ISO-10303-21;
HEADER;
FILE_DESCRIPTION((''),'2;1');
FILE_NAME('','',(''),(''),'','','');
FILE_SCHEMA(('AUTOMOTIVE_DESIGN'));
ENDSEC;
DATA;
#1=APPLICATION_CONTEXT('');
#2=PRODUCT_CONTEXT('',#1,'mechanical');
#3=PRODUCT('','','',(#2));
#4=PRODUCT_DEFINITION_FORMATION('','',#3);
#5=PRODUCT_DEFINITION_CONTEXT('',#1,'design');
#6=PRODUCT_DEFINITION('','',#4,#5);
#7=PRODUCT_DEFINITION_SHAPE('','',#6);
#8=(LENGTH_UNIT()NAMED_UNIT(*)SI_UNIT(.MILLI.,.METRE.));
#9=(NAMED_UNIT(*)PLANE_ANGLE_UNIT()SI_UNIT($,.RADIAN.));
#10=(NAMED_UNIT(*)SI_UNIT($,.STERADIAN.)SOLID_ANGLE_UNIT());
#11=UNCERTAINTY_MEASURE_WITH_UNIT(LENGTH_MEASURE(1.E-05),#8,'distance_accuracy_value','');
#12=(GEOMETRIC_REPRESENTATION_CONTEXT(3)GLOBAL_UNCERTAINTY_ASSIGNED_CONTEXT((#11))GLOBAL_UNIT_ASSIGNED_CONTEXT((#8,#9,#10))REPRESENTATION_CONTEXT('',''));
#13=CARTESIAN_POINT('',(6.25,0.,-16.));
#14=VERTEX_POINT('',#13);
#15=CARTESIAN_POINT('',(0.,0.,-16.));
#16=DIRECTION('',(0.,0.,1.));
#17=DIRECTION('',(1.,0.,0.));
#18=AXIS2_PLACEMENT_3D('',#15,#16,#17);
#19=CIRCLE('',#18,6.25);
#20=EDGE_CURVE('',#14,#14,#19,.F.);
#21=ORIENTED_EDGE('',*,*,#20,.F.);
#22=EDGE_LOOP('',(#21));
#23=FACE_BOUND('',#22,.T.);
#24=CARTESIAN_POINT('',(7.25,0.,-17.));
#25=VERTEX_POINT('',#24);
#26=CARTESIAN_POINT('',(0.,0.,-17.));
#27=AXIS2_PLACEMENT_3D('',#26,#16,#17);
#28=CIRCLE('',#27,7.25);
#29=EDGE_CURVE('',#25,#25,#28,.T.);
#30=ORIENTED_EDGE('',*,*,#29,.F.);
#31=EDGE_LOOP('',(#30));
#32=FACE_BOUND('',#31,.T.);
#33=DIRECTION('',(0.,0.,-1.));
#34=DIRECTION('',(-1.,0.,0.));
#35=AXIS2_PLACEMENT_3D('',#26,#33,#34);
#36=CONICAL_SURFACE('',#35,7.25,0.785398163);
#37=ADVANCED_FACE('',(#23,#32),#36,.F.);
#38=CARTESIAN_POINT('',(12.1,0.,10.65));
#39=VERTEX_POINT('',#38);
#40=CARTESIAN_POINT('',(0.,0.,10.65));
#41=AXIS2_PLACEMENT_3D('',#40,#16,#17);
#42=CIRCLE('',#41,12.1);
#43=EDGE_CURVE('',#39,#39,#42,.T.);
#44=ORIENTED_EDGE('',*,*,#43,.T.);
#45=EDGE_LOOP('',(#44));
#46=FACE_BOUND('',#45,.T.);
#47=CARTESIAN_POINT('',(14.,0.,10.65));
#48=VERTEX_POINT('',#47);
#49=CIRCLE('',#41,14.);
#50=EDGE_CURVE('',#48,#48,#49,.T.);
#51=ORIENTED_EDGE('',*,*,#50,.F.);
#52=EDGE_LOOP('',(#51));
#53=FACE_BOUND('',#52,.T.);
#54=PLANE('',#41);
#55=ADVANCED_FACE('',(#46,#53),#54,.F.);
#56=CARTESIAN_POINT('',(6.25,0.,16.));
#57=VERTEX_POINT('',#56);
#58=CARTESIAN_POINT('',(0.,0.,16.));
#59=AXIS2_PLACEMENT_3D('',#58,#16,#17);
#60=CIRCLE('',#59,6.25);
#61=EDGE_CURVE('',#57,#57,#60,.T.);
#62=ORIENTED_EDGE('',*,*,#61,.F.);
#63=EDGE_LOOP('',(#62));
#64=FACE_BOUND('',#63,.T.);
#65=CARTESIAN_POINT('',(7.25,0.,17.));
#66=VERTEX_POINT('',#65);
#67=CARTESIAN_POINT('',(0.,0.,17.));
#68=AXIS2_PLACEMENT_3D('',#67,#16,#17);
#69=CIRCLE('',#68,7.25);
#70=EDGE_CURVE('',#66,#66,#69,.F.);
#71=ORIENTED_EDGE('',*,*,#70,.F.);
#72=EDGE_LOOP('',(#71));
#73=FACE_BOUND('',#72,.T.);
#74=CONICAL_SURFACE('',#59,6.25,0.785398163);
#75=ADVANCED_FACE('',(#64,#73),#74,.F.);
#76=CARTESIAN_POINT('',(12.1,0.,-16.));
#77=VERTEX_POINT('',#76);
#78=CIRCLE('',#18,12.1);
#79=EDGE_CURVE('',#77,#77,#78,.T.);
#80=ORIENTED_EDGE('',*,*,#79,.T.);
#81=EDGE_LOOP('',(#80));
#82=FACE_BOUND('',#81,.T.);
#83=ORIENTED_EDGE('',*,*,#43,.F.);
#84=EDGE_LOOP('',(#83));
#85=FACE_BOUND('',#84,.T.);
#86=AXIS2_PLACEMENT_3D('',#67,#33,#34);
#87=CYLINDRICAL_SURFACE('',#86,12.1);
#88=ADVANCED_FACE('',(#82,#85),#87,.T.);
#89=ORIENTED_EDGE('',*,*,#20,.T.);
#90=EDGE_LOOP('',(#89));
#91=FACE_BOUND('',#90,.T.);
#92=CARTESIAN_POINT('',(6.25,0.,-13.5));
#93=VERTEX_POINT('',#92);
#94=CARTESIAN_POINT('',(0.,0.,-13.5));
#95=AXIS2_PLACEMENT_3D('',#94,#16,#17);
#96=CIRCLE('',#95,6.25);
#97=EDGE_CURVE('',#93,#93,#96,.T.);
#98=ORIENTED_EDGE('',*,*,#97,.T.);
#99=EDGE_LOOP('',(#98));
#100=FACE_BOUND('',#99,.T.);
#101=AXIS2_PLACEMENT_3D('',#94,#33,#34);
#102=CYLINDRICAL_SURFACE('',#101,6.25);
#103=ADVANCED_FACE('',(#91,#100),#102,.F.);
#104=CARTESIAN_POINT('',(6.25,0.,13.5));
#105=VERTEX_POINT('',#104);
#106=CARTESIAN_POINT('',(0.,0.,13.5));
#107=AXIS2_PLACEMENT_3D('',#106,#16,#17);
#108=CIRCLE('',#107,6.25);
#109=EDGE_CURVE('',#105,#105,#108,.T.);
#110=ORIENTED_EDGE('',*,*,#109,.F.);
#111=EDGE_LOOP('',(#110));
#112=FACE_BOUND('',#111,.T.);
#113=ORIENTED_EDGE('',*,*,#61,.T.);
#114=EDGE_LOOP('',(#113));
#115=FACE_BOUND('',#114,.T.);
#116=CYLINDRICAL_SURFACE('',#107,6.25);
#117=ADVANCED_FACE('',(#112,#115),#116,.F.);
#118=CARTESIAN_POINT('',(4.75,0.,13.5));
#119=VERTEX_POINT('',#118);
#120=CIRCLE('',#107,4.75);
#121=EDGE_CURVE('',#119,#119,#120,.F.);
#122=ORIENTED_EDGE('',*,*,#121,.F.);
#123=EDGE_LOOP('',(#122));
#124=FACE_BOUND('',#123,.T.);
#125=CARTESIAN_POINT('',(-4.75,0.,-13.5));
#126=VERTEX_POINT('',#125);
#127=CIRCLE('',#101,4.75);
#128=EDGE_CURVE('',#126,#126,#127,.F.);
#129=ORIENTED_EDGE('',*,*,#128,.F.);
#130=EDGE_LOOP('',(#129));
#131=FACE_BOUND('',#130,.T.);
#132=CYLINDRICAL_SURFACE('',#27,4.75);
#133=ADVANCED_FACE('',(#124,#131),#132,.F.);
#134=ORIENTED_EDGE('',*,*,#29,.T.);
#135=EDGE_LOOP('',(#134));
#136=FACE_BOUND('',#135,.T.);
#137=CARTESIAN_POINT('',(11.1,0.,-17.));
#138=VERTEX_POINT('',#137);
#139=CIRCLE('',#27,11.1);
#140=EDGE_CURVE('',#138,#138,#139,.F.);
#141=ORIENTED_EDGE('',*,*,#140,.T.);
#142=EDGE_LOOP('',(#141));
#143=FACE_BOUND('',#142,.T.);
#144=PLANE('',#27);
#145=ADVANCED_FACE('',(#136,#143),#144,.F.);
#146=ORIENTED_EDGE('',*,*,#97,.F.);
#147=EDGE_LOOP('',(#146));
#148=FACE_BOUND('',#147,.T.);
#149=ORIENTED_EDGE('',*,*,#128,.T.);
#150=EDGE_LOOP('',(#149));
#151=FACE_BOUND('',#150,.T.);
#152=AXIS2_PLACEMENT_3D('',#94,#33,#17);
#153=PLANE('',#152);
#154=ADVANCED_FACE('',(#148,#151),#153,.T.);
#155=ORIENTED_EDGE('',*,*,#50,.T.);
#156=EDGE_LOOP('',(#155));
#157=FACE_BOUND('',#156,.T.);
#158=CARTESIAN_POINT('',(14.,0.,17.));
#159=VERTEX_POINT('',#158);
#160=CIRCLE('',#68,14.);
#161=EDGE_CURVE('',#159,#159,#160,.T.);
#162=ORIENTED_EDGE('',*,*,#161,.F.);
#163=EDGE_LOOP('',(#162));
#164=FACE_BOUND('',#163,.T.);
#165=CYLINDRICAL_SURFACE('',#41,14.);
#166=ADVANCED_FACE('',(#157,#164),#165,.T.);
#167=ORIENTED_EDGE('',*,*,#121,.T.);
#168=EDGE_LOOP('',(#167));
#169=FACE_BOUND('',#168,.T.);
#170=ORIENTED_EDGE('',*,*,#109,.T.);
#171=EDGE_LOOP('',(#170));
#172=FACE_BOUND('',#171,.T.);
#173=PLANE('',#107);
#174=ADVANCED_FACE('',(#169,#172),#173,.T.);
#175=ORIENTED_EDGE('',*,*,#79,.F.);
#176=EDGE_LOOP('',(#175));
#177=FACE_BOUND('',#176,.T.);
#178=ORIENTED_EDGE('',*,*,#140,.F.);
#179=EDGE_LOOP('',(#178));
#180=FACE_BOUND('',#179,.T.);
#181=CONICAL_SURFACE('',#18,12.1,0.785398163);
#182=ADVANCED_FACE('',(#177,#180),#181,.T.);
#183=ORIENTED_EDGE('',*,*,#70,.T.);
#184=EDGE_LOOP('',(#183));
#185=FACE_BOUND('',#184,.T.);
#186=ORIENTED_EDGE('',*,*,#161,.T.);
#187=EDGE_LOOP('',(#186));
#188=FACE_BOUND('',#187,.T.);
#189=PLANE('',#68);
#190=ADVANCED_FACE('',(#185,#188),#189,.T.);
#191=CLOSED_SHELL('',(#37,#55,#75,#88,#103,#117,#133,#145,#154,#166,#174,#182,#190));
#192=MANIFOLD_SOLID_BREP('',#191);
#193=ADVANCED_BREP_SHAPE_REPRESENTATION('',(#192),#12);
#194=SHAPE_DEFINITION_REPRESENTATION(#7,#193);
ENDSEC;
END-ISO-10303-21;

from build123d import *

# Parameters (mm, degrees)
SKETCH1_R           = 12.1
BOSS_EXTRUDE1_DEPTH = 17
SKETCH2_R           = 4.75
CUT_EXTRUDE1_DEPTH  = 39.063368217
SKETCH3_R           = 6.25
CUT_EXTRUDE2_DEPTH  = 3.5
SKETCH4_R           = 14
SKETCH4_R_2         = 12.1
SKETCH4_R_3         = 6.25
BOSS_EXTRUDE2_DEPTH = 6.35
CHAMFER1_SIZE       = 1


with BuildPart() as part:
    # Sketch1 → Boss-Extrude1 (new, symmetric)
    with BuildSketch(Plane.XY):
        Circle(SKETCH1_R)
    extrude(amount=BOSS_EXTRUDE1_DEPTH, both=True)

    # Sketch2 → Cut-Extrude1 (cut, through all)
    with BuildSketch(Plane.XY.offset(17)):
        Circle(SKETCH2_R)
    extrude(amount=-CUT_EXTRUDE1_DEPTH, mode=Mode.SUBTRACT)

    # Sketch3 → Cut-Extrude2 (cut)
    with BuildSketch(Plane.XY.offset(17)):
        Circle(SKETCH3_R)
    cut_extrude2 = extrude(amount=-CUT_EXTRUDE2_DEPTH, mode=Mode.SUBTRACT)

    # Mirror1: Cut-Extrude2 across plane
    add(cut_extrude2.mirror(Plane.XY), mode=Mode.SUBTRACT)

    # Sketch4 → Boss-Extrude2 (add)
    # profile 1 of 2: a face of its own
    with BuildSketch(Plane.XY.offset(17)):
        Circle(SKETCH4_R)
        Circle(SKETCH4_R_2, mode=Mode.SUBTRACT)
    # profile 2 of 2: a face of its own
    with BuildSketch(Plane.XY.offset(17)):
        Circle(SKETCH4_R_2)
        Circle(SKETCH4_R_3, mode=Mode.SUBTRACT)
    extrude(amount=-BOSS_EXTRUDE2_DEPTH)

    # Chamfer1
    chamfer1_edges = [part.edges().sort_by_distance(p)[0] for p in [
        (-6.25, 0, 17),
        (-6.25, 0, -17),
        (-12.1, 0, -17),
    ]]
    chamfer(chamfer1_edges, length=CHAMFER1_SIZE)


solid = part.part
